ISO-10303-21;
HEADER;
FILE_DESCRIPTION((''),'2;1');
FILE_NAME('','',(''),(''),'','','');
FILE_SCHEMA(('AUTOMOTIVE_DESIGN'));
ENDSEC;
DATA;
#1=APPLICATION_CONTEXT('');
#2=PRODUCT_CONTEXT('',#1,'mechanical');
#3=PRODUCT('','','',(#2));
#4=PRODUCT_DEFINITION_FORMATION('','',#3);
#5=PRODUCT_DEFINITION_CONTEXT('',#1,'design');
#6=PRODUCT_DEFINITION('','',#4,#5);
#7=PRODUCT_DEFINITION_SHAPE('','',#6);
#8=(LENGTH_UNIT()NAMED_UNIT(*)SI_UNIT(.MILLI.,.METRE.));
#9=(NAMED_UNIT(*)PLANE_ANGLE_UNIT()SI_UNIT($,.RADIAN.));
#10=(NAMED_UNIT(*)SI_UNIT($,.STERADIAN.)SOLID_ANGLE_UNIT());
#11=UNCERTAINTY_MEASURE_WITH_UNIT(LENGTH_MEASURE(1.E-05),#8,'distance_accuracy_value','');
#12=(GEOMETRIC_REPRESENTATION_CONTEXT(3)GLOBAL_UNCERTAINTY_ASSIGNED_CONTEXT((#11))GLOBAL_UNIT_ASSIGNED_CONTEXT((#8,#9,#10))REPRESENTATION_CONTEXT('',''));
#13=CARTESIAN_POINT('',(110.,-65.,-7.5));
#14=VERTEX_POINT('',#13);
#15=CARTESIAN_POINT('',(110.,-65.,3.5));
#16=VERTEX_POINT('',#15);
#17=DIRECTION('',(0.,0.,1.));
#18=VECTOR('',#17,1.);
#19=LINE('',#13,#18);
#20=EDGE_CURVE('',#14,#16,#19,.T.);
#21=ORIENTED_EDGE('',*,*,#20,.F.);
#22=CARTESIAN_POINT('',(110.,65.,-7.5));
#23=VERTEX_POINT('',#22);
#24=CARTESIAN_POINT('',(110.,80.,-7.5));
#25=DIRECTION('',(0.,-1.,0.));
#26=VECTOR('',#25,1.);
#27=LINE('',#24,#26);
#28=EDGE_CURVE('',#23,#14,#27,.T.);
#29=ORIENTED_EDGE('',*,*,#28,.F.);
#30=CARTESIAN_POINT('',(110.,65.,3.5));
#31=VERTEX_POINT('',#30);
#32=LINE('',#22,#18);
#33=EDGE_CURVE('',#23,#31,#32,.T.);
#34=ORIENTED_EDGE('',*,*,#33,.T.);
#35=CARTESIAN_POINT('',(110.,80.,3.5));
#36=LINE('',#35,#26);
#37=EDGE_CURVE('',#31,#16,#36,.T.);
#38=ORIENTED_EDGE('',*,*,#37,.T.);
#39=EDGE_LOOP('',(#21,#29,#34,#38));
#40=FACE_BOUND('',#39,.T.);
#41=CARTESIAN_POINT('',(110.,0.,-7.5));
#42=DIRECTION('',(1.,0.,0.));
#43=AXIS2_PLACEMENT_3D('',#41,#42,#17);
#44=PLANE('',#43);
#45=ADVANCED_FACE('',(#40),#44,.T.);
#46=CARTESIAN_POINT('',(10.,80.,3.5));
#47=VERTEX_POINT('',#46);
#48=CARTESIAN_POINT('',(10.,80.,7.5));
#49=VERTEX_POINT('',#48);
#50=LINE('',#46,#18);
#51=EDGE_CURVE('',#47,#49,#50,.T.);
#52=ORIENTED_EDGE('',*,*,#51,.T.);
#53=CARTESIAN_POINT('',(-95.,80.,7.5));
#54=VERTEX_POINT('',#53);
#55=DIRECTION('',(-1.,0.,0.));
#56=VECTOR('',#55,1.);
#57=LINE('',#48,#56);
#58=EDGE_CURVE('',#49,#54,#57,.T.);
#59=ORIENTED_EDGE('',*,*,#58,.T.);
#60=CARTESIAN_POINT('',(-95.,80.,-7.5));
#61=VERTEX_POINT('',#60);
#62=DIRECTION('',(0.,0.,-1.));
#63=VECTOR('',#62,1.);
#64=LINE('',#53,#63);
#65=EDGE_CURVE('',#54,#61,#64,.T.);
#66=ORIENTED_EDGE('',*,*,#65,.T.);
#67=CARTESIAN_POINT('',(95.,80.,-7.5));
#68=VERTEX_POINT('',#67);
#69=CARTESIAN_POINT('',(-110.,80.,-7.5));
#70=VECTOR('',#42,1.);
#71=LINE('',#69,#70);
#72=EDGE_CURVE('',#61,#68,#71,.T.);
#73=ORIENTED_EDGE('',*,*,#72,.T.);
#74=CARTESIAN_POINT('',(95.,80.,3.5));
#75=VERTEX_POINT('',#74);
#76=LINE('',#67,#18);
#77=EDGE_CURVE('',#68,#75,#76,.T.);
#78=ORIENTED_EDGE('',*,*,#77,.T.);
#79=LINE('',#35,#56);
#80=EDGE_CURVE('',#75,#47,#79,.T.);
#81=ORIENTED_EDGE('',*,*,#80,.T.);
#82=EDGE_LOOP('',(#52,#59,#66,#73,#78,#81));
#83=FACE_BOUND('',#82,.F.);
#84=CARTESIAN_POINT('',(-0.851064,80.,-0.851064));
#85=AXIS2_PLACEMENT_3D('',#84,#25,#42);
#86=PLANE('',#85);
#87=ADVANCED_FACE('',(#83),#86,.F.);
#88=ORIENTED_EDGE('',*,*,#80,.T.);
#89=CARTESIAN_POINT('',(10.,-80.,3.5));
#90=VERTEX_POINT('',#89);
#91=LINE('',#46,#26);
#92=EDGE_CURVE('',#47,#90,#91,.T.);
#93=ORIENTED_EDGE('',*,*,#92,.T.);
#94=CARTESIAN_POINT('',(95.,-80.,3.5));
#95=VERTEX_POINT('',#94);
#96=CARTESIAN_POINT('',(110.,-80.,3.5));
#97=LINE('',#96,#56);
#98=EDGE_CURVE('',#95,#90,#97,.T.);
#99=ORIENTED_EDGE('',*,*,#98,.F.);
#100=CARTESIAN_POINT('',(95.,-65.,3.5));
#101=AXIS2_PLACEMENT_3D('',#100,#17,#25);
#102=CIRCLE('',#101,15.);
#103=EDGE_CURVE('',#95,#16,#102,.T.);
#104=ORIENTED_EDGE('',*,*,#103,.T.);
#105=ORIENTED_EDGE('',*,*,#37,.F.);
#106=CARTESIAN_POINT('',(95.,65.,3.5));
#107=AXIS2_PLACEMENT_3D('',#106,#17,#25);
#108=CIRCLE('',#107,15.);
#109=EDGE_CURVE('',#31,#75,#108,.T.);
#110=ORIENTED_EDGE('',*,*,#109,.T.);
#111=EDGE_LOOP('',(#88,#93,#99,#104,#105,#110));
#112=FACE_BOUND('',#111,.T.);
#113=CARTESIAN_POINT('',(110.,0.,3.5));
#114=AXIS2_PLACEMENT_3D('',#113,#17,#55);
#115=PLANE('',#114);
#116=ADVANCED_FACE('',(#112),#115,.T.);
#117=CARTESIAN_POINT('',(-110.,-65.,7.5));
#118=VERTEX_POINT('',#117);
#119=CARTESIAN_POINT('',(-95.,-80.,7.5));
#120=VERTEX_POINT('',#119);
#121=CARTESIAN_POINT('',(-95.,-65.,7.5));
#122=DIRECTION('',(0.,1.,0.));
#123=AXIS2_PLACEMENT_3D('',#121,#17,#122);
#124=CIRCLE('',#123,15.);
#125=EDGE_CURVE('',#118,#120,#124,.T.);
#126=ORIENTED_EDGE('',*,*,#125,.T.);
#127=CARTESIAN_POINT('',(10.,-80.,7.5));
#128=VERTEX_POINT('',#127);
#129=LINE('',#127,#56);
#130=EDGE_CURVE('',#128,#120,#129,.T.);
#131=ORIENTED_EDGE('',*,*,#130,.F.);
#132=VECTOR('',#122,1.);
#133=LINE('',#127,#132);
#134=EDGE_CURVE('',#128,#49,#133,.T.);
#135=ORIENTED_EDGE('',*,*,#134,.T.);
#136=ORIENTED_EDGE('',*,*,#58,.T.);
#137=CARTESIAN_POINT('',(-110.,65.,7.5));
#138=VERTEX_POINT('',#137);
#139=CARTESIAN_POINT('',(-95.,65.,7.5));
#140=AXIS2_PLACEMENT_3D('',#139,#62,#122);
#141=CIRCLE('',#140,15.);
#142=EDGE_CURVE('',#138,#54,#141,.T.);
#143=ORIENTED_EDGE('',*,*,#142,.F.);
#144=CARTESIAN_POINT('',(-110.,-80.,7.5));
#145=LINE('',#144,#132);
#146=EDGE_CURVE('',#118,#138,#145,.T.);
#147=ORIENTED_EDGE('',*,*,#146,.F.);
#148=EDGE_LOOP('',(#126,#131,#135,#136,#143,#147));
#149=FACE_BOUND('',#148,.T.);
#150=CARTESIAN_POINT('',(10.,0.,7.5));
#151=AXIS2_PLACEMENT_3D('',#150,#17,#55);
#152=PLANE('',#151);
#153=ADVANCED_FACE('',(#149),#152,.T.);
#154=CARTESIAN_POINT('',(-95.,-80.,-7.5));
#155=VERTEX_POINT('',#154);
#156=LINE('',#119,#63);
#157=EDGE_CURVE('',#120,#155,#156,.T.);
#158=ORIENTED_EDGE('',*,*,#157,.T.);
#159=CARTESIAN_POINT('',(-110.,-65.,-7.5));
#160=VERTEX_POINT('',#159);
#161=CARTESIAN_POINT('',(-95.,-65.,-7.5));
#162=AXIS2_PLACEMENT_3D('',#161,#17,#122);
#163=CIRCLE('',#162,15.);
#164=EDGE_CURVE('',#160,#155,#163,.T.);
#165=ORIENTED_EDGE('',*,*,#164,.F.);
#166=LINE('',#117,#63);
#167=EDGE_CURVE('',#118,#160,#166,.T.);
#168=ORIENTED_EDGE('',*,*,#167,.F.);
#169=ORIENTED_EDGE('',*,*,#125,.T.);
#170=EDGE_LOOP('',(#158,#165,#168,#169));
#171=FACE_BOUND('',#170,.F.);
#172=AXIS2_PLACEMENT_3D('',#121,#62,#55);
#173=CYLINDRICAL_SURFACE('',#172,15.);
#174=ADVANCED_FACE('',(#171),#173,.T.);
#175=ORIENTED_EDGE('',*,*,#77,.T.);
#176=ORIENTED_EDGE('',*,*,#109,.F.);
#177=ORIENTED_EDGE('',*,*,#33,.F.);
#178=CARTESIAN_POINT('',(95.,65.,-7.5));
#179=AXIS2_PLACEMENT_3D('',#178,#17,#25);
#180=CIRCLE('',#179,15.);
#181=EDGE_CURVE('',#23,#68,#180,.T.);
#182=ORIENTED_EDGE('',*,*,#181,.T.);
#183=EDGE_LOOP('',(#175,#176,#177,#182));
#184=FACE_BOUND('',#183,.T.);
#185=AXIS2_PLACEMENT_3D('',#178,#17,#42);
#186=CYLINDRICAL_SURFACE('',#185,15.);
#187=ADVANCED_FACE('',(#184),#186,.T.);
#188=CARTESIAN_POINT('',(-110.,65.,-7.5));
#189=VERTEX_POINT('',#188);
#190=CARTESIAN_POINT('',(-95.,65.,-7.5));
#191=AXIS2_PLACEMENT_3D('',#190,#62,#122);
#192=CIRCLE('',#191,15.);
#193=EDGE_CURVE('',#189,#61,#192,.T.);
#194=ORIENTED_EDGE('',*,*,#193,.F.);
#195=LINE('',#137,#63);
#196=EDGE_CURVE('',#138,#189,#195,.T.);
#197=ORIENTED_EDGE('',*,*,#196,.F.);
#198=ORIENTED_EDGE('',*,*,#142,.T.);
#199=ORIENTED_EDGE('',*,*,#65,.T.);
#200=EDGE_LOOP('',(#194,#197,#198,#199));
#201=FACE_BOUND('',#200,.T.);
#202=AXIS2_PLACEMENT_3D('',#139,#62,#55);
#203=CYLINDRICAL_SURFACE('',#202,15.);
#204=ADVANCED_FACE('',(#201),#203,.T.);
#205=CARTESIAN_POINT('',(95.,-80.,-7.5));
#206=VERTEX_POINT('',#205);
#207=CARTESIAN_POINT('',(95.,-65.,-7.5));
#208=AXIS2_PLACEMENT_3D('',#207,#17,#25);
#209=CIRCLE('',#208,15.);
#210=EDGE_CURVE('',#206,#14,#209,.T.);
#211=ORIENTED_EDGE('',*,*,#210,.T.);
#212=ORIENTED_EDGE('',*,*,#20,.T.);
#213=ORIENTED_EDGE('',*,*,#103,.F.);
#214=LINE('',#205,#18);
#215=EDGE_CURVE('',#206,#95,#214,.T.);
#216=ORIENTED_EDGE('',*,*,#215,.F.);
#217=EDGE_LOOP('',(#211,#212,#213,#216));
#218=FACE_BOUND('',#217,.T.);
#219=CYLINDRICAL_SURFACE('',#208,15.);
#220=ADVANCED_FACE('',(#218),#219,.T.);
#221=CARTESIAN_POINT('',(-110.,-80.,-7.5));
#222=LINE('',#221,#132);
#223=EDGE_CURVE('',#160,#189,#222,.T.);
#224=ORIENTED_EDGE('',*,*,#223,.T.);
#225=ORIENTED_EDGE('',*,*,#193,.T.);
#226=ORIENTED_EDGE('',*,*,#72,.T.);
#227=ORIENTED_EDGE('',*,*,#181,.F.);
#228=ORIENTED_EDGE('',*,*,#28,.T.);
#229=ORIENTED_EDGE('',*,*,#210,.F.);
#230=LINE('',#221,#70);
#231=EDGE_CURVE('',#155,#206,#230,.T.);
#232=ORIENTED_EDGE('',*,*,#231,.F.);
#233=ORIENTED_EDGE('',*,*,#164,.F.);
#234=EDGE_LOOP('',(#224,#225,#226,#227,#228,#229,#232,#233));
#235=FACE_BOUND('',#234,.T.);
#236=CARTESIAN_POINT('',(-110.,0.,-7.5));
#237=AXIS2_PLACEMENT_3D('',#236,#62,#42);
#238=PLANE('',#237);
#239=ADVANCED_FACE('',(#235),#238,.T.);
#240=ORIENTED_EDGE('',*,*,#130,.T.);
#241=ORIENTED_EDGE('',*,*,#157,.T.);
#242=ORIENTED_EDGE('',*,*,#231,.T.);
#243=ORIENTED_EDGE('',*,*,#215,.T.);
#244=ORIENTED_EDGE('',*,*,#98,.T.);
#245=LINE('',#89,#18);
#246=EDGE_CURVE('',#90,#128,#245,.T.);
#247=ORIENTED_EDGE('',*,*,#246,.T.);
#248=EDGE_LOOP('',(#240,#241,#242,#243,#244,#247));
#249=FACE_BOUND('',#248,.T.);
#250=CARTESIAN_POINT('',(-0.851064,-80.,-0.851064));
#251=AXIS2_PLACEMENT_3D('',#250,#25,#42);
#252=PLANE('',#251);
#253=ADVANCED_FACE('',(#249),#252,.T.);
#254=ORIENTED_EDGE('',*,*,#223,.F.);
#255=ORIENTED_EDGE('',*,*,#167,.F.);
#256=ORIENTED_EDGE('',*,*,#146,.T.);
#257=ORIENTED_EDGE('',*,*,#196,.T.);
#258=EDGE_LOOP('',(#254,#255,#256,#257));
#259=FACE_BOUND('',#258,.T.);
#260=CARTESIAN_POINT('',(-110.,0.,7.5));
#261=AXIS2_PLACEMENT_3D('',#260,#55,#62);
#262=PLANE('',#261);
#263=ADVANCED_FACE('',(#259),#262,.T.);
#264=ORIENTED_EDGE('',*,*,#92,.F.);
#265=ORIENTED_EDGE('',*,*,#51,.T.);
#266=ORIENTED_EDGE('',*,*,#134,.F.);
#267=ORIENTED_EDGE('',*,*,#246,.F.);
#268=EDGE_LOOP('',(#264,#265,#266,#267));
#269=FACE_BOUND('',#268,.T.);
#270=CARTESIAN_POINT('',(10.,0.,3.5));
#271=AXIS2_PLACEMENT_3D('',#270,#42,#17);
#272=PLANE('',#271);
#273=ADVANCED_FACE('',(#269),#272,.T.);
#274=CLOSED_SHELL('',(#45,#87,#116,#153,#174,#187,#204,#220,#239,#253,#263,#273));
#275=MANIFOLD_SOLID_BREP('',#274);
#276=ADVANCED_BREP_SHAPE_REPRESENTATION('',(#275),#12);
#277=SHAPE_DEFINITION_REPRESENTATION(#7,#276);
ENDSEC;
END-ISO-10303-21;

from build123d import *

# Parameters (mm, degrees)
F1_DEPTH = 80
F2_R     = 15


with BuildPart() as f1:
    # F0 (on Front) → F1 (new body, symmetric)
    with BuildSketch(Plane.XZ):
        Polygon((-110, -7.5), (110, -7.5), (110, 3.5), (10, 3.5), (10, 7.5), (-110, 7.5), align=None)
    extrude(amount=F1_DEPTH, both=True)

    # F2
    f2_edges = [f1.edges().sort_by_distance(p)[0] for p in [
        (-110, -80, 0),
        (110, -80, -2),
        (110, 80, -2),
        (-110, 80, 0),
    ]]
    fillet(f2_edges, radius=F2_R)


solid = f1.part
